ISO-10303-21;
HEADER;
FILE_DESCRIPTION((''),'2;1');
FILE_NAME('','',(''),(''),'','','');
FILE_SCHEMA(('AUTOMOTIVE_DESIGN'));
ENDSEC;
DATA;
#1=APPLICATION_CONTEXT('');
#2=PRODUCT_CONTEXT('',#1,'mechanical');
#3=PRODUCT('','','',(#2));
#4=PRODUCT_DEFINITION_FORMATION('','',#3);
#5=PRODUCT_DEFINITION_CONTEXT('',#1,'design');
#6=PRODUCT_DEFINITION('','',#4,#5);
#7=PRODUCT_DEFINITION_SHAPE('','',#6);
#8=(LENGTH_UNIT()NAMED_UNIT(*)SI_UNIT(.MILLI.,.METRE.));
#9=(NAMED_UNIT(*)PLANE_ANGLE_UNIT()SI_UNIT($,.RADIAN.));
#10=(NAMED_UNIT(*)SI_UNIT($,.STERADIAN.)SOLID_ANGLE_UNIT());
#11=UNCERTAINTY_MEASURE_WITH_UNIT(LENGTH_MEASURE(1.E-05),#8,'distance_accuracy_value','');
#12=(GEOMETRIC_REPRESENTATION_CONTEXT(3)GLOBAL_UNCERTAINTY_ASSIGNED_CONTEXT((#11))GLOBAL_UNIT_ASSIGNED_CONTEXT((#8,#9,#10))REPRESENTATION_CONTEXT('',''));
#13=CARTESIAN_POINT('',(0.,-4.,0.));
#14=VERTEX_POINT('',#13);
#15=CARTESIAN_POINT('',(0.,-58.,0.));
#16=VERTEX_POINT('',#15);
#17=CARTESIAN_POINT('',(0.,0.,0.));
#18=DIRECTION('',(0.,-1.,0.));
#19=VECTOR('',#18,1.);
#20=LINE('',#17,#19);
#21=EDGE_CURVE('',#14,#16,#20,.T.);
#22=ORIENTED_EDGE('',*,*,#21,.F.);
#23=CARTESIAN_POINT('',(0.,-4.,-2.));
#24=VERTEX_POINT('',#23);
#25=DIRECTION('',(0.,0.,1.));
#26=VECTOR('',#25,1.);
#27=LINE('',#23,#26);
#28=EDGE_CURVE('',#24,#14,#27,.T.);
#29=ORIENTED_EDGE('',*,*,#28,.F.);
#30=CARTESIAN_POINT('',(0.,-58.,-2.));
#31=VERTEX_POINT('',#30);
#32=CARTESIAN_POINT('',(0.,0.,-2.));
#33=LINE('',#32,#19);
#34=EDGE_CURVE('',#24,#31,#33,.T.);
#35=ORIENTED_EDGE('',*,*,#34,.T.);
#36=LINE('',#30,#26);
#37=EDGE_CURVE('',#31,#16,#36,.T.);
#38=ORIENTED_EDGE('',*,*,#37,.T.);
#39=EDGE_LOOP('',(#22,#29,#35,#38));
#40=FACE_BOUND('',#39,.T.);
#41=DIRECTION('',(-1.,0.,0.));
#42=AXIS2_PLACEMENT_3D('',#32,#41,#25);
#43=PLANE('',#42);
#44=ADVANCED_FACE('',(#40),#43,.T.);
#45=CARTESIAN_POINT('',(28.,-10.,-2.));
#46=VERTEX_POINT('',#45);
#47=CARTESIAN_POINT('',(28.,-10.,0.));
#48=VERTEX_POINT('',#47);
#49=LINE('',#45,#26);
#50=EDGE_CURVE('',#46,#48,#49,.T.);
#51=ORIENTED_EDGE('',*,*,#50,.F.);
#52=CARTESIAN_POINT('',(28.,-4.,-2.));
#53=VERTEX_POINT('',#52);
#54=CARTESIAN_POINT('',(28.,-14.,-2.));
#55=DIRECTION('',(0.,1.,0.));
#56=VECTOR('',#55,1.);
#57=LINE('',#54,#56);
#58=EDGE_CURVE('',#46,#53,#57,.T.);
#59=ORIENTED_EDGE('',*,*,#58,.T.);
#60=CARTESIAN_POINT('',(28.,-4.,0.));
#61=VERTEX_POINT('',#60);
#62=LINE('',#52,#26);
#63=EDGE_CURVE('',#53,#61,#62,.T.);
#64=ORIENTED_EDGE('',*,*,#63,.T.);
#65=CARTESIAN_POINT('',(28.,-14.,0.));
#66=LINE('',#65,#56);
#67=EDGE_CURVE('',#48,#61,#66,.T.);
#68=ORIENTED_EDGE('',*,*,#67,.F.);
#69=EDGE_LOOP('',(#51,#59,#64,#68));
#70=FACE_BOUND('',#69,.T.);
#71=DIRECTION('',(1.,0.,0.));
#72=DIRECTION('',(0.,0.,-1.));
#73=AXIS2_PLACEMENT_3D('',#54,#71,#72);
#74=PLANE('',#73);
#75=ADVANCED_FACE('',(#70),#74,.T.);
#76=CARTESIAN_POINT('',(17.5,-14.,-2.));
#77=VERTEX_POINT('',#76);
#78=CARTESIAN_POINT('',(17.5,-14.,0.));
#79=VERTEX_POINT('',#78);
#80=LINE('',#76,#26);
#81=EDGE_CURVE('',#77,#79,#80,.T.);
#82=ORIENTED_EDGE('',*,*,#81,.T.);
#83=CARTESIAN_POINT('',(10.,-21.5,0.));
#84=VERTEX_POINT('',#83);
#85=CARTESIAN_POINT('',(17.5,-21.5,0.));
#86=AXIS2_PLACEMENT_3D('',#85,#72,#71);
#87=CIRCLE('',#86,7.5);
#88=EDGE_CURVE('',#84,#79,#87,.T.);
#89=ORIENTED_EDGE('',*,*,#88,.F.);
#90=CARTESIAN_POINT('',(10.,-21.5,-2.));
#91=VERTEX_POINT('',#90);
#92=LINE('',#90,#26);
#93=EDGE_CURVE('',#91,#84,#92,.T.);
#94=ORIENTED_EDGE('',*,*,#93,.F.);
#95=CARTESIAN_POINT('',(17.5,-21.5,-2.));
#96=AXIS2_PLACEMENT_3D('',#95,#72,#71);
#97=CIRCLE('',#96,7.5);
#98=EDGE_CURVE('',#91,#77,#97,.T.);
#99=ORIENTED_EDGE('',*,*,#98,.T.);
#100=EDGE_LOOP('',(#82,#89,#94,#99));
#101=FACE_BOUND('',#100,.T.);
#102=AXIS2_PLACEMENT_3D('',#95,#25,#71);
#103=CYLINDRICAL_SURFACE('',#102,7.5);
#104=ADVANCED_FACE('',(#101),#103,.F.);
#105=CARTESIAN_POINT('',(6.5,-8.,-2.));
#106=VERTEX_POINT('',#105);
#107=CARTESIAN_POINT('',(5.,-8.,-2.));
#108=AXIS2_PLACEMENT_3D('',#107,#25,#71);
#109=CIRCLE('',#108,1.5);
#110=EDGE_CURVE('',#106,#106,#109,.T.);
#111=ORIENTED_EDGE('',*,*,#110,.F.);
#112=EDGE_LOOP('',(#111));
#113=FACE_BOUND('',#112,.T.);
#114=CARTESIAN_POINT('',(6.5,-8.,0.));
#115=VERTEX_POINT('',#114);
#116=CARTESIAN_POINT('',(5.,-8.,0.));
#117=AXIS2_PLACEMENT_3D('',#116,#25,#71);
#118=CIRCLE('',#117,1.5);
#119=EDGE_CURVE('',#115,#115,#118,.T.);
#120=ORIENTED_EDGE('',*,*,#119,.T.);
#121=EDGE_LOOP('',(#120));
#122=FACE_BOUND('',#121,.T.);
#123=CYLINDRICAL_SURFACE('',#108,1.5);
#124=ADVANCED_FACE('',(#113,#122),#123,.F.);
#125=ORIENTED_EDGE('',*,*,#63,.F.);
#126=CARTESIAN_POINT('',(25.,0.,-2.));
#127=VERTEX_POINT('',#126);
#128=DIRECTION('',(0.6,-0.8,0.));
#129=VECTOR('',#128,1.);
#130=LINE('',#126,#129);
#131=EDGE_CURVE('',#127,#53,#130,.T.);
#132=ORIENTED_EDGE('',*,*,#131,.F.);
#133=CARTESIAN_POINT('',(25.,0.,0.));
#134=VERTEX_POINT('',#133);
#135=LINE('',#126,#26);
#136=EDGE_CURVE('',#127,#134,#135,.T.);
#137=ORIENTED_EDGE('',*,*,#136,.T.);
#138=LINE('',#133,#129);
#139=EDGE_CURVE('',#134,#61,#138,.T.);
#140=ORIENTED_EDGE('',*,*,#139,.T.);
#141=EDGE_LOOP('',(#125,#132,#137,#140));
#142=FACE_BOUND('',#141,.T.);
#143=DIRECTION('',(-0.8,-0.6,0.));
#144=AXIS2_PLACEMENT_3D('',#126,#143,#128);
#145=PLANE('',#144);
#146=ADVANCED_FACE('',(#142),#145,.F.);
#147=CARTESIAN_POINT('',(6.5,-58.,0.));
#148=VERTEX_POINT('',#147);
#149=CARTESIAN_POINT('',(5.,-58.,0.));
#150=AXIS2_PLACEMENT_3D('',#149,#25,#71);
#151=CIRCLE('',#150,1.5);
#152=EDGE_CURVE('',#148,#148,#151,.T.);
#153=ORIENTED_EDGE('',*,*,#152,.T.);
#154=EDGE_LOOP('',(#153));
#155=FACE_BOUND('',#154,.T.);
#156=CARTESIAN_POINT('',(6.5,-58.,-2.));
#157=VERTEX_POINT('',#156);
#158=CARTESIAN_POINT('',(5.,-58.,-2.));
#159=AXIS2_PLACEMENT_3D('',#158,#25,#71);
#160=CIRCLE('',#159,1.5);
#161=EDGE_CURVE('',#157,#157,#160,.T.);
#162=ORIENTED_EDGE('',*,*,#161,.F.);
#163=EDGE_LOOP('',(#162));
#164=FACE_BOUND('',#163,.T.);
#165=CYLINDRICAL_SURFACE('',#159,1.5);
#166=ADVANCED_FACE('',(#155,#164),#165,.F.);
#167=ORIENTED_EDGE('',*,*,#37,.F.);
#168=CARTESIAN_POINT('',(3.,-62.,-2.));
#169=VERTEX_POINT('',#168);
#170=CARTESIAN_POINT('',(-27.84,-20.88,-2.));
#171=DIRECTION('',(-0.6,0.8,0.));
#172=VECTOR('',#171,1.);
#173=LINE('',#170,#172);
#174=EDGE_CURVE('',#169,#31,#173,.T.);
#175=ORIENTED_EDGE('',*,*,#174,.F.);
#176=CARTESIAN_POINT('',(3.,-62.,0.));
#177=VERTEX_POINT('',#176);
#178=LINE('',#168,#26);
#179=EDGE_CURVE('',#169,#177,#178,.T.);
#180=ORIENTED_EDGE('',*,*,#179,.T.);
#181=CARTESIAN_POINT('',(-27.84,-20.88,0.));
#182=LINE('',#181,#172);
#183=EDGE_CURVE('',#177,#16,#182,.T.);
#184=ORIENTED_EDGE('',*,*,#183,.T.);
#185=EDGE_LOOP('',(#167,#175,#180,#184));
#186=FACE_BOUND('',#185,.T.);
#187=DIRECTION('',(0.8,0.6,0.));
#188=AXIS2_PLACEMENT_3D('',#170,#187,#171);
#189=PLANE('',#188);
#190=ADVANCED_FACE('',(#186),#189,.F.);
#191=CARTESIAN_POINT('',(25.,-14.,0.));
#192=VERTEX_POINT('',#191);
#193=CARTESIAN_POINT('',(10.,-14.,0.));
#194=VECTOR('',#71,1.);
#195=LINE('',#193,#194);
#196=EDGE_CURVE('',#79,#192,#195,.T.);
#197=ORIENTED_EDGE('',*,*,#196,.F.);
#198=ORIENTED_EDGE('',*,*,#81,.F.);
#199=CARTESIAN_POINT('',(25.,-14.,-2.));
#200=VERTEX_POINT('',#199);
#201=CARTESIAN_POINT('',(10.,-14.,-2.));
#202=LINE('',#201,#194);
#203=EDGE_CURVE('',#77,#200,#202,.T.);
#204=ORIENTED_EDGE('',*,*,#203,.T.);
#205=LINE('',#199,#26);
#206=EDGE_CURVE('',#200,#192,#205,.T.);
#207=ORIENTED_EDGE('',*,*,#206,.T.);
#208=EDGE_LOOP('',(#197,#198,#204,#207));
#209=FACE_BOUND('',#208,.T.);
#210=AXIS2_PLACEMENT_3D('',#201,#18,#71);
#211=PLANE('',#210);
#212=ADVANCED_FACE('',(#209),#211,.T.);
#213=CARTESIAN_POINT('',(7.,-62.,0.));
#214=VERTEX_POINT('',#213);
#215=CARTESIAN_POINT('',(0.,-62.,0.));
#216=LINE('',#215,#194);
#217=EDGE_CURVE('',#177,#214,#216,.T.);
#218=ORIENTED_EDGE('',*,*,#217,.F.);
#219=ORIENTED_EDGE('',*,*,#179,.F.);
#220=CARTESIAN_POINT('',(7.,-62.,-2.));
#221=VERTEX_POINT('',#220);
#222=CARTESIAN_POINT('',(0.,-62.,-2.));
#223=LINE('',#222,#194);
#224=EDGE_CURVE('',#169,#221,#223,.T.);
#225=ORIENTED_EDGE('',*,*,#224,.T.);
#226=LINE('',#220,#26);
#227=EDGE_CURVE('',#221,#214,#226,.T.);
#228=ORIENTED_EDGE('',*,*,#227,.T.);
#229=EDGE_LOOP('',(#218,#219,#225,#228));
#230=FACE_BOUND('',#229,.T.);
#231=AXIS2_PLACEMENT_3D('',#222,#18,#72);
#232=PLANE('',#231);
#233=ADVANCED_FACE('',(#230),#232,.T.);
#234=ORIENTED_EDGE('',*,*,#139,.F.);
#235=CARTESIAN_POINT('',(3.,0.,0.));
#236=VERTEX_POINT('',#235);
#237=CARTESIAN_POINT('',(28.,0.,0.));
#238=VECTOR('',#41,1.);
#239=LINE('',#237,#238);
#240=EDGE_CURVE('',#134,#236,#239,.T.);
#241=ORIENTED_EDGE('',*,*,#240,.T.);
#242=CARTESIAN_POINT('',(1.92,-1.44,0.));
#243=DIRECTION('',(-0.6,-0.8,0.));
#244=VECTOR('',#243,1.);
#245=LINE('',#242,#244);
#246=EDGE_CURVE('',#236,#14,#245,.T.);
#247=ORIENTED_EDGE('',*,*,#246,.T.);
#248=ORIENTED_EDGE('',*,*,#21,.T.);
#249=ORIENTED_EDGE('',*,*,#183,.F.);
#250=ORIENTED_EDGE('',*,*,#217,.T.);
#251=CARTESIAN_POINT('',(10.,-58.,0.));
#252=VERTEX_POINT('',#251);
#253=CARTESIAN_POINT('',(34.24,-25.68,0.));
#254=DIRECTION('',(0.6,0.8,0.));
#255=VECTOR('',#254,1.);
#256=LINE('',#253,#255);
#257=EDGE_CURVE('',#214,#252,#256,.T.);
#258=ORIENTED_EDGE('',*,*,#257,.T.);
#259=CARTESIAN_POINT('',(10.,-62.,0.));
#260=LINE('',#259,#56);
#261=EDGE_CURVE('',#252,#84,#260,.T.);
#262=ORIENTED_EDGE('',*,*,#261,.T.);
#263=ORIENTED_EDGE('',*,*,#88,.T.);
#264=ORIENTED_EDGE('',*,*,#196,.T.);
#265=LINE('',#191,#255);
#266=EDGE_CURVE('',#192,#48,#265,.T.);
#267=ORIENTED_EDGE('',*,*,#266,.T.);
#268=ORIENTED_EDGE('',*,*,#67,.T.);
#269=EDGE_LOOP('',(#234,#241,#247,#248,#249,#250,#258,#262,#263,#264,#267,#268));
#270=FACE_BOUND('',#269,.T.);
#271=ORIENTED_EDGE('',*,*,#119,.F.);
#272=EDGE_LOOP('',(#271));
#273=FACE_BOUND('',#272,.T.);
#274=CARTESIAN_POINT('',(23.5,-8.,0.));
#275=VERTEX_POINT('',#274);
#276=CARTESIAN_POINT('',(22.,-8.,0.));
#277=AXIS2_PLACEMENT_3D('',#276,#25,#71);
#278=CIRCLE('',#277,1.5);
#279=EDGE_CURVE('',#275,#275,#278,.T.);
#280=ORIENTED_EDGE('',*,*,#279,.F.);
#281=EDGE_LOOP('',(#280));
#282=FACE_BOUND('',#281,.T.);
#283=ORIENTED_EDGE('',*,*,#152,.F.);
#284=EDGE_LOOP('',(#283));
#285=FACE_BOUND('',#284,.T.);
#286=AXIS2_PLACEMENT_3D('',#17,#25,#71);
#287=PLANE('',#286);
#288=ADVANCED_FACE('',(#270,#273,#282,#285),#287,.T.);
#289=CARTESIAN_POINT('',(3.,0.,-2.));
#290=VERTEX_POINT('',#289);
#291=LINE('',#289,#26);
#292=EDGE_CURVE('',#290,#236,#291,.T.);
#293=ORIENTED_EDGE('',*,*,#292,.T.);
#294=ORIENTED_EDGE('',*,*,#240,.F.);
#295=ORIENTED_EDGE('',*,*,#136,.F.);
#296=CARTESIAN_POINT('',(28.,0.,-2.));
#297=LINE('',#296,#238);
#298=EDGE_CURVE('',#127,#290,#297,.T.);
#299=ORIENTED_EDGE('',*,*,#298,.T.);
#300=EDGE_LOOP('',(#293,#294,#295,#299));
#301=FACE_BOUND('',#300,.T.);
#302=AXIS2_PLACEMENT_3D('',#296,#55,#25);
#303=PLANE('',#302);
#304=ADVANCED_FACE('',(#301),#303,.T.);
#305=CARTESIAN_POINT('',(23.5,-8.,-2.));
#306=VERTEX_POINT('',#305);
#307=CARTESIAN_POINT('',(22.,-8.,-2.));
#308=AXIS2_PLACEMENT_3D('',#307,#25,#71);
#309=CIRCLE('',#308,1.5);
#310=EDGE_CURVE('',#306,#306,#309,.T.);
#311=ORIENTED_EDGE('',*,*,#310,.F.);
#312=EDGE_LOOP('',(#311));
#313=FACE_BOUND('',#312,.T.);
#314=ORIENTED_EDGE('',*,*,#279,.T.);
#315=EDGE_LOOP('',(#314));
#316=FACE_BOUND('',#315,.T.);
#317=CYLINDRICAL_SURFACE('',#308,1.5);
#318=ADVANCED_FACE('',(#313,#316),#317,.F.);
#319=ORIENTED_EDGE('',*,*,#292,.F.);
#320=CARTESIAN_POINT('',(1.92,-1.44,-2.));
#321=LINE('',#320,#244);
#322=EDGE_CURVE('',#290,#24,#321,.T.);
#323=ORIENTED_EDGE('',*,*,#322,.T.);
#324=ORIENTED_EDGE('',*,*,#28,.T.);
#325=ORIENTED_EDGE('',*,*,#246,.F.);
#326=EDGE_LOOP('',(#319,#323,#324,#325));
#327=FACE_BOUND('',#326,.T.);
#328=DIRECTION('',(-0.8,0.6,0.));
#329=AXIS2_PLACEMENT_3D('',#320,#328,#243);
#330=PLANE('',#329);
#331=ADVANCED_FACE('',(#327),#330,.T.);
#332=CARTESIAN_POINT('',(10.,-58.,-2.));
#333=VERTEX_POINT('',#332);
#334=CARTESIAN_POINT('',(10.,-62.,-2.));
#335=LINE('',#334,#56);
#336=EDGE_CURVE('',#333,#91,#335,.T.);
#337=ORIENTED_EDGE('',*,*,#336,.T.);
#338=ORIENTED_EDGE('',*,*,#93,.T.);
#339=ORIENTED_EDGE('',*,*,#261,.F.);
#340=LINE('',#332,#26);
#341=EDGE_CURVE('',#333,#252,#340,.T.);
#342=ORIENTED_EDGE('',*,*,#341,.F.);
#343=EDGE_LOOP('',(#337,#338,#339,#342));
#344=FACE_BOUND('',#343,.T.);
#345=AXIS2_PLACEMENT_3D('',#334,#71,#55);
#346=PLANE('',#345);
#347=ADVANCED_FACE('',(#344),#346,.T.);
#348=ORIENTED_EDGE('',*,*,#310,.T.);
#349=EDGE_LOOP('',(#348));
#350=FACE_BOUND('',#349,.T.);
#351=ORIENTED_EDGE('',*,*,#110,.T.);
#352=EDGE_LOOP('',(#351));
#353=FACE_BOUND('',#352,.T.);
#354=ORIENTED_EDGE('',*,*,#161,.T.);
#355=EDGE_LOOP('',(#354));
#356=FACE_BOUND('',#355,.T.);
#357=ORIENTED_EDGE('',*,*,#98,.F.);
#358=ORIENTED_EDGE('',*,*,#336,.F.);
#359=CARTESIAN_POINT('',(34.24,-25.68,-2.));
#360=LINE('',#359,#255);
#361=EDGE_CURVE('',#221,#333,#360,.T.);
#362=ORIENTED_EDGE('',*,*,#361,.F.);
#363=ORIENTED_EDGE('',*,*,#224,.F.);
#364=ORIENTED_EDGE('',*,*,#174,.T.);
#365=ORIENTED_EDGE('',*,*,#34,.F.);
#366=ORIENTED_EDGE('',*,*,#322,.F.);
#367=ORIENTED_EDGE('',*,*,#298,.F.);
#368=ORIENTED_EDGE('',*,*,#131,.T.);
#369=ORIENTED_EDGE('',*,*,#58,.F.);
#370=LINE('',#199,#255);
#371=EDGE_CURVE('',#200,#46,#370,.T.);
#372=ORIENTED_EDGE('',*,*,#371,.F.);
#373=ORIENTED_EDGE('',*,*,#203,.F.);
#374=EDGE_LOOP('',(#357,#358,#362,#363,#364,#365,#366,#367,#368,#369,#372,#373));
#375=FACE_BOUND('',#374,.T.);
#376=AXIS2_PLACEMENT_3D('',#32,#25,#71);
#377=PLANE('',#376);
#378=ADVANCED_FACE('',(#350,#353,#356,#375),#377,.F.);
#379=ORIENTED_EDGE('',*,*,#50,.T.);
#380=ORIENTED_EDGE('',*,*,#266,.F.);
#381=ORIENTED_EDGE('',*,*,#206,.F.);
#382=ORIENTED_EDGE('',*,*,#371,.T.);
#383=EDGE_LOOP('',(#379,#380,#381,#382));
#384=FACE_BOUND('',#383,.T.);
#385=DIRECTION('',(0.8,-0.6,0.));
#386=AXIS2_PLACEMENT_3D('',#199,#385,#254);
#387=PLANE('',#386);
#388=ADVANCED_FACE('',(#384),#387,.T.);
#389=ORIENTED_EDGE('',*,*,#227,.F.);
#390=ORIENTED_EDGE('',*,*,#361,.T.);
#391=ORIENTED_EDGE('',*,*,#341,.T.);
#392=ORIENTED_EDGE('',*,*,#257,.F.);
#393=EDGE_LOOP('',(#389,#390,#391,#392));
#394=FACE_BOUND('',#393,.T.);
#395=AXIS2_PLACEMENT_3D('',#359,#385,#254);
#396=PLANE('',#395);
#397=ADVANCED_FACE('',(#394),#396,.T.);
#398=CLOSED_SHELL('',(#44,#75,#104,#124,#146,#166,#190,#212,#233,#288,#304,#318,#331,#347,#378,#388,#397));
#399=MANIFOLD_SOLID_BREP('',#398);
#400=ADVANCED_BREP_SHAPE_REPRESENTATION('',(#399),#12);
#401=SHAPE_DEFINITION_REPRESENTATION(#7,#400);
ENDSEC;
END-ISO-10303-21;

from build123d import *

# Parameters (mm, degrees)
ESTRUSIONE_ESTRUSIONE1_DEPTH = 2
TAGLIO_ESTRUSIONE1_DEPTH     = 69.058798109
SCHIZZO3_R                   = 1.5
TAGLIO_ESTRUSIONE3_DEPTH     = 69.058798109
ESTRUSIONE_ESTRUSIONE2_DEPTH = 2


with BuildPart() as part:
    # Schizzo1 → Estrusione-Estrusione1 (new body)
    with BuildSketch(Plane.XY):
        Polygon((0, 0), (0, -62), (10, -62), (10, -14), (28, -14), (28, 0), align=None)
    extrude(amount=-ESTRUSIONE_ESTRUSIONE1_DEPTH)

    # Schizzo2 → Taglio-Estrusione1 (cut, through all)
    with BuildSketch(Plane.XY):
        Polygon((3, -62), (0, -58), (0, -62), align=None)
        Polygon((10, -58), (7, -62), (10, -62), align=None)
        Polygon((0, -4), (3, 0), (0, 0), align=None)
        Polygon((25, 0), (28, 0), (28, -4), align=None)
        Polygon((28, -14), (25, -14), (28, -10), align=None)
    extrude(amount=-TAGLIO_ESTRUSIONE1_DEPTH, mode=Mode.SUBTRACT)

    # Schizzo3 → Taglio-Estrusione3 (cut, through all)
    with BuildSketch(Plane.XY):
        with Locations((5, -8)):
            Circle(SCHIZZO3_R)
        with Locations((22, -8)):
            Circle(SCHIZZO3_R)
        with Locations((5, -58)):
            Circle(SCHIZZO3_R)
    extrude(amount=-TAGLIO_ESTRUSIONE3_DEPTH, mode=Mode.SUBTRACT)

    # Schizzo4 → Estrusione-Estrusione2 (add)
    with BuildSketch(Plane.XY):
        with BuildLine():
            Line((10, -21.5), (10, -14))
            Line((10, -14), (17.5, -14))
            ThreePointArc((17.5, -14), (12.196699141, -16.196699141), (10, -21.5))
        make_face()
    extrude(amount=-ESTRUSIONE_ESTRUSIONE2_DEPTH)


solid = part.part
